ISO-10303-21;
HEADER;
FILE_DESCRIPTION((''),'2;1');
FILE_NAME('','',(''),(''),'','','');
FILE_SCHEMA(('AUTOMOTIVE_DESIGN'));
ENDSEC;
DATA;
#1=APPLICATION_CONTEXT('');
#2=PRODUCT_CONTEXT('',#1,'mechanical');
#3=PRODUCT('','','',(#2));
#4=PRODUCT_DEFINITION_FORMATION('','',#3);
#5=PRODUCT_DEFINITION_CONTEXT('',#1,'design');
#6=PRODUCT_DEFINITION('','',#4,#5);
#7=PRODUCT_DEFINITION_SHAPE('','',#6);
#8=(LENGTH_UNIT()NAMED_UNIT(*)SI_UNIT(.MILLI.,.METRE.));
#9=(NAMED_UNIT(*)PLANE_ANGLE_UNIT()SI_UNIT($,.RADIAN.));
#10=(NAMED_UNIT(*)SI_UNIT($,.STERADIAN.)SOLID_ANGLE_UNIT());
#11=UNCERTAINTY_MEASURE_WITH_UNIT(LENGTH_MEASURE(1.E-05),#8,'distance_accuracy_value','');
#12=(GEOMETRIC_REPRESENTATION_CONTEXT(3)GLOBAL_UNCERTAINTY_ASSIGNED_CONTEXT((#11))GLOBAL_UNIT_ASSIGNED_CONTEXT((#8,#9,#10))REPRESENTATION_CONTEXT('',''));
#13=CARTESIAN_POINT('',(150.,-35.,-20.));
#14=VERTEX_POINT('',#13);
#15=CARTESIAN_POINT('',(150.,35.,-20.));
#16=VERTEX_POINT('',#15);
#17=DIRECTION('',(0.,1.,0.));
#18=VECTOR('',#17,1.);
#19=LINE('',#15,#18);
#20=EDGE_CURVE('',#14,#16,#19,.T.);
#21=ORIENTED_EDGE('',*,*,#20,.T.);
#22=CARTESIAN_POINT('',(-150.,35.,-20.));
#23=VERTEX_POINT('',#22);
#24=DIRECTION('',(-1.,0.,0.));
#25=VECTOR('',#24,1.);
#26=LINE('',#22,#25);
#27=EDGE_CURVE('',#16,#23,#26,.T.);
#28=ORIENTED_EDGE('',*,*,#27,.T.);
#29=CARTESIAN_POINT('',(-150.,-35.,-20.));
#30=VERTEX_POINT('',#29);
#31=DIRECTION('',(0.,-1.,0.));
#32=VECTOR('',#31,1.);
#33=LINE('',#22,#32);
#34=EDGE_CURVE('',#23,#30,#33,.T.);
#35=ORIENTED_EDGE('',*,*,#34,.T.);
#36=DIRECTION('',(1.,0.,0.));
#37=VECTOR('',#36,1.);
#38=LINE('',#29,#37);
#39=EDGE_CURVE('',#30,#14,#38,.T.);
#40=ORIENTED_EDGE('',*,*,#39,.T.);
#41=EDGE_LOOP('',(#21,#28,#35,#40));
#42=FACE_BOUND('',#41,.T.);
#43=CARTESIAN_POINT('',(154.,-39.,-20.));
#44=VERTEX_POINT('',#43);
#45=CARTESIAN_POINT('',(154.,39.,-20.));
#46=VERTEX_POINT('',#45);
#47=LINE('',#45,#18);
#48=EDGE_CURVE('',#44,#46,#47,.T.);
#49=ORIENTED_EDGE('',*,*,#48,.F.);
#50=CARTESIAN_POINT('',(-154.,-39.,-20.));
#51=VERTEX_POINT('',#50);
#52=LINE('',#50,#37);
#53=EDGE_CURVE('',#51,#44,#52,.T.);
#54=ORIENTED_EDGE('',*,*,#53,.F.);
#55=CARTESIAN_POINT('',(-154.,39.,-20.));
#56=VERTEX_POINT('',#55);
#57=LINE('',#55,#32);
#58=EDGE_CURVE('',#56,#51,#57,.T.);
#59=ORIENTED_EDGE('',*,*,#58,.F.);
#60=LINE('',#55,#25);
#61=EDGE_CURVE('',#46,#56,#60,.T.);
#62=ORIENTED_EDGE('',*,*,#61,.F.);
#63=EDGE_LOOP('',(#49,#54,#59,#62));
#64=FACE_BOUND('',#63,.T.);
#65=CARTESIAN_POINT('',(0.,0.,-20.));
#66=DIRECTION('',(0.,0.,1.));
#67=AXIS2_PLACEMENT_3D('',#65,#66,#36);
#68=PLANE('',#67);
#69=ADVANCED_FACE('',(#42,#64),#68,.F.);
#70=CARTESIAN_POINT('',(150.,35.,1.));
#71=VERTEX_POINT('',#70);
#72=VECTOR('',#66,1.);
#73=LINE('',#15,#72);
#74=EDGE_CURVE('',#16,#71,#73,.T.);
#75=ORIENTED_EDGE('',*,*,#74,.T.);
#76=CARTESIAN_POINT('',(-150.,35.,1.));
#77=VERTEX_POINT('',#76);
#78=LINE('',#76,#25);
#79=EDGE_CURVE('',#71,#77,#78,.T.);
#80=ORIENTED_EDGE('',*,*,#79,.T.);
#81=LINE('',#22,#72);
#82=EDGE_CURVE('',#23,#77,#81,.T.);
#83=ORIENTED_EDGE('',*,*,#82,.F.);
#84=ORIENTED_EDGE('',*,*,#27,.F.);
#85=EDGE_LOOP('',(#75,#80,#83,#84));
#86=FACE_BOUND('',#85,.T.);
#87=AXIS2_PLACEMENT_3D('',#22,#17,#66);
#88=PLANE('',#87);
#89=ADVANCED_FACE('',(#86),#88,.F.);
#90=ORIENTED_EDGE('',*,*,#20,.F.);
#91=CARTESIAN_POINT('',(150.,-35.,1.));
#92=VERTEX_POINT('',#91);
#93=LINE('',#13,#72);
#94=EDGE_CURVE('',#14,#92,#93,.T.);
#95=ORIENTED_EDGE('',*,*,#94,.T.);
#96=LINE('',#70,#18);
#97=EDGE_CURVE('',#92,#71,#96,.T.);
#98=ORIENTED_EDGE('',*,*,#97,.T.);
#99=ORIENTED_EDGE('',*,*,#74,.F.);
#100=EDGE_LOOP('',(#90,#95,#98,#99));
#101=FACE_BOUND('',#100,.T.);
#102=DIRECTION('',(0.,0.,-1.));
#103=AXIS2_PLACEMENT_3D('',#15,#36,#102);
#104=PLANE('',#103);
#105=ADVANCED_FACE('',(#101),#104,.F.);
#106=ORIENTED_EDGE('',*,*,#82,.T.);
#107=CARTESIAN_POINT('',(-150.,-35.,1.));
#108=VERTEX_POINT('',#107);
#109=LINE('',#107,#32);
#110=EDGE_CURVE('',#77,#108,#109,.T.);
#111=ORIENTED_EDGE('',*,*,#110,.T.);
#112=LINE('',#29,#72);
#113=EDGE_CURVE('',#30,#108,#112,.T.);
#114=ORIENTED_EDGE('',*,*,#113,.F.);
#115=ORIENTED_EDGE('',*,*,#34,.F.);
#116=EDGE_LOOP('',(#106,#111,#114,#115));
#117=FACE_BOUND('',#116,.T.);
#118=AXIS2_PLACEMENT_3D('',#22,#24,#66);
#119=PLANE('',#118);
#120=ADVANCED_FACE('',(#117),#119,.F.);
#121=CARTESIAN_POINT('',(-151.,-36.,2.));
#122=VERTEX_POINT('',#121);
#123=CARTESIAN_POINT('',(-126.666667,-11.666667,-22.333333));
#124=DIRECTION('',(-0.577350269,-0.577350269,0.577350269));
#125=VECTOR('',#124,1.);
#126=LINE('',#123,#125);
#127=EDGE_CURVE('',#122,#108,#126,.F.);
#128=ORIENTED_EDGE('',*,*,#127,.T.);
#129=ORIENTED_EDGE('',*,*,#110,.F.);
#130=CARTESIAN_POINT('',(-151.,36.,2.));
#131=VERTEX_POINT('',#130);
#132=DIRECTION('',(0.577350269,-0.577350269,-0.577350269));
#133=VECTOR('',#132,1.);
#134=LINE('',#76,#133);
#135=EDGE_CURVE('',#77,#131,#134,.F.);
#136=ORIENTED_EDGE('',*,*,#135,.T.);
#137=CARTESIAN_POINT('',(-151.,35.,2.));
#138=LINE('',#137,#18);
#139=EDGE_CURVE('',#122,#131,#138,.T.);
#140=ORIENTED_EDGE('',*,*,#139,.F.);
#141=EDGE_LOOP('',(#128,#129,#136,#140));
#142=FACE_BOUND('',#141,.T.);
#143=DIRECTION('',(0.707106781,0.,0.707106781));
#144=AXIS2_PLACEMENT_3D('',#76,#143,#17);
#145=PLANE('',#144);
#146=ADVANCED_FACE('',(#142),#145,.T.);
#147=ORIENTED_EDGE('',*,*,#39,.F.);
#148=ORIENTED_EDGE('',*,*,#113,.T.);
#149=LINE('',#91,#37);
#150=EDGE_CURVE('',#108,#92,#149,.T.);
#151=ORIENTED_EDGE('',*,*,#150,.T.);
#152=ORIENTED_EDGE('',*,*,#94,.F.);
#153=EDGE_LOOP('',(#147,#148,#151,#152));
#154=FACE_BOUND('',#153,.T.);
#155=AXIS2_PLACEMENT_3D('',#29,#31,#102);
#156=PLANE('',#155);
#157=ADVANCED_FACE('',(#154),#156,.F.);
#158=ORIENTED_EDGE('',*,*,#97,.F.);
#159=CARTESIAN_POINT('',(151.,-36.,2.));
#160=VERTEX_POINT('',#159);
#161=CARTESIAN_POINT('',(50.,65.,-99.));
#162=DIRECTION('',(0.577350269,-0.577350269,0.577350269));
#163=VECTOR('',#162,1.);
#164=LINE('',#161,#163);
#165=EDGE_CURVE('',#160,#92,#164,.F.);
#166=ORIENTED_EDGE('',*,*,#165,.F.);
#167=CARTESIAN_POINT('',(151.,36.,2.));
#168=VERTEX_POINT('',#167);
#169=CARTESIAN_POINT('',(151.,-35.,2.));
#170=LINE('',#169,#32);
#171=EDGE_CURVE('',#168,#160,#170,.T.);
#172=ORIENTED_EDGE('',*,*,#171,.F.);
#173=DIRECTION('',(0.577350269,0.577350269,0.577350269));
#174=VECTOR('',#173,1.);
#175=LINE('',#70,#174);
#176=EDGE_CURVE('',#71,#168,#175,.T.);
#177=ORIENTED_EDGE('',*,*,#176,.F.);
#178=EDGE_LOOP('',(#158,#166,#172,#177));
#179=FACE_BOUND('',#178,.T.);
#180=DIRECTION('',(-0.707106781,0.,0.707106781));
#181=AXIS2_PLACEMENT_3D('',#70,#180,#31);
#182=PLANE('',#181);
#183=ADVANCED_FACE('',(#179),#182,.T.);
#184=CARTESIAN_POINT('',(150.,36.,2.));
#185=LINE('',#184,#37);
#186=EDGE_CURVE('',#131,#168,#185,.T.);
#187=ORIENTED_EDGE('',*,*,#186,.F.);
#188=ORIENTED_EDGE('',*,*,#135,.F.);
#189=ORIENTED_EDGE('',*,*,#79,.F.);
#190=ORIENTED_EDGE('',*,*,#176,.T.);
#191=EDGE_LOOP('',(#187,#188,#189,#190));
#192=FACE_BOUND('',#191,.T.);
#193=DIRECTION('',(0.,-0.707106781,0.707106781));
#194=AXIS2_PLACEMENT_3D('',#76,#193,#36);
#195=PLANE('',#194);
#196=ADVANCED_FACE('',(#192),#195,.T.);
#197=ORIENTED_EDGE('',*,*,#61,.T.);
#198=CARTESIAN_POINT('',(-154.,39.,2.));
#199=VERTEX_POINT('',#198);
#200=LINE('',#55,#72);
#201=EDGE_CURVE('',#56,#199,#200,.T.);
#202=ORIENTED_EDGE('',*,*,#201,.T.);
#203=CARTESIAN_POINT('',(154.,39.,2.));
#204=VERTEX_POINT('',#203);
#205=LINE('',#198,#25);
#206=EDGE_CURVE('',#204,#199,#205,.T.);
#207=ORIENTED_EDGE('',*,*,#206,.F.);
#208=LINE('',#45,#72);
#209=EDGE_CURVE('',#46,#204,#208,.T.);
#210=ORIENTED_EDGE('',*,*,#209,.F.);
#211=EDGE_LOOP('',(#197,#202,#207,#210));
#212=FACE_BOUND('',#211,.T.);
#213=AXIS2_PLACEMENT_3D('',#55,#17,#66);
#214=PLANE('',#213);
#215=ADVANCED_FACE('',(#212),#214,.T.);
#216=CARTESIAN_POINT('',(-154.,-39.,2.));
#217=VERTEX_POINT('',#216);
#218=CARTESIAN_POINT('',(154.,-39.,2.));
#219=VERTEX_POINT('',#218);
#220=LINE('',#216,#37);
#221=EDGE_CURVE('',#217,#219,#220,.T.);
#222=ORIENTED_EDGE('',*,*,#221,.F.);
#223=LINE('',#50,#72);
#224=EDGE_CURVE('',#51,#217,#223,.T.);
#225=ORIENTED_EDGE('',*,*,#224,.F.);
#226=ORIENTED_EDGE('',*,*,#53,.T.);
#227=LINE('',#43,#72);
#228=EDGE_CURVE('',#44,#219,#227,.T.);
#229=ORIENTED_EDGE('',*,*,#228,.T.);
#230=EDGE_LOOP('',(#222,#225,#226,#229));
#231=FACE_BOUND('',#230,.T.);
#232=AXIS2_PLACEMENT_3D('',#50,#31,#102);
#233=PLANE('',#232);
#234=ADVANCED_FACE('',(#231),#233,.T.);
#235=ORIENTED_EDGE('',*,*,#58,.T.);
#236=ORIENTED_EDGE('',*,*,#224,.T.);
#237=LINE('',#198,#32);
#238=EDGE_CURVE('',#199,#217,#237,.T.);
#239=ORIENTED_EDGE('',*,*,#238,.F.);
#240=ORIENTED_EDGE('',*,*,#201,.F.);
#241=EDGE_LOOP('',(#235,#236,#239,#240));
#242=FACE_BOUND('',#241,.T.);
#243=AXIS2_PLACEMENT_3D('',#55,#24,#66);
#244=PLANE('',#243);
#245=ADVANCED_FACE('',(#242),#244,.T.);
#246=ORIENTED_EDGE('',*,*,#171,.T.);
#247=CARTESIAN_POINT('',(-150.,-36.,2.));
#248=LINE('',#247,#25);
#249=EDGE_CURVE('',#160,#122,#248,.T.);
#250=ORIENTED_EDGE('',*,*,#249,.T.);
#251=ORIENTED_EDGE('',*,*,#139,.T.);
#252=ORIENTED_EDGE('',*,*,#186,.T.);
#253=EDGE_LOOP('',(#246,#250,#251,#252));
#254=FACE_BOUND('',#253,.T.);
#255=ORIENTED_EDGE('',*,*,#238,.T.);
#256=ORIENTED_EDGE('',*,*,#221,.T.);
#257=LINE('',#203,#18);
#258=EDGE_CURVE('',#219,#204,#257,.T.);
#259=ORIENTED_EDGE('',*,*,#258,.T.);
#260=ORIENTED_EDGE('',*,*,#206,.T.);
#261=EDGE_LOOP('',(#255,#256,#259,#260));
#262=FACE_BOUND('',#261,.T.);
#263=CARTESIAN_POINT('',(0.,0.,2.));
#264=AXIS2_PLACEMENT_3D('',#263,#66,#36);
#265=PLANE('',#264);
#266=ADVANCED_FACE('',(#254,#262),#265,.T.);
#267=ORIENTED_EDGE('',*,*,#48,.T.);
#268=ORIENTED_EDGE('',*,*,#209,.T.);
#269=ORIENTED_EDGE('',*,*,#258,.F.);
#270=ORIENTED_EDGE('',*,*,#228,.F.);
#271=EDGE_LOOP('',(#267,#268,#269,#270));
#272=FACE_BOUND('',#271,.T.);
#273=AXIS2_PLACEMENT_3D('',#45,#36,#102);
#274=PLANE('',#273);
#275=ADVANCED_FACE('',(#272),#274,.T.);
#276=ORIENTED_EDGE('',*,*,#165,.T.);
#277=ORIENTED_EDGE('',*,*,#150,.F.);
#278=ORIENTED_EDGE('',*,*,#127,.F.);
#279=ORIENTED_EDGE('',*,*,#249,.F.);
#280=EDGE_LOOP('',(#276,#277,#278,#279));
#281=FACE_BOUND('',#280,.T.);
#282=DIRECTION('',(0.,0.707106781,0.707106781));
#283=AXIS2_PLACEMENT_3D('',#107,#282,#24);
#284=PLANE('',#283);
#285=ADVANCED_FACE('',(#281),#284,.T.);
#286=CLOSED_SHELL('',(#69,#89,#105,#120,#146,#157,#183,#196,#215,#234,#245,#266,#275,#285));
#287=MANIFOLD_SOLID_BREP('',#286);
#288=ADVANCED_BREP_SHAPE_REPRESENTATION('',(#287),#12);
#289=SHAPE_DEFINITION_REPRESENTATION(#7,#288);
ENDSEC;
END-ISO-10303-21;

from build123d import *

# Parameters (mm, degrees)
EXTRUDE_1_DEPTH      = 2
EXTRUDE_1_DEPTH_BACK = 20
SKETCH_1_W           = 308
SKETCH_1_H           = 78
SKETCH_1_W_2         = 300
SKETCH_1_H_2         = 70
CHAMFER_1_SIZE       = 1


with BuildPart() as part:
    # Эскиз1 → Бобышка-Вытянуть1 (new, two sides: drawn at the far end of the back side and taken through both)
    with BuildSketch(Plane.XY.offset(-EXTRUDE_1_DEPTH_BACK)):
        Rectangle(SKETCH_1_W, SKETCH_1_H)
        Rectangle(SKETCH_1_W_2, SKETCH_1_H_2, mode=Mode.SUBTRACT)
    extrude(amount=EXTRUDE_1_DEPTH + EXTRUDE_1_DEPTH_BACK)

    # Фаска1
    chamfer_1_edges = [part.edges().sort_by_distance(p)[0] for p in [
        (-150, 0, 2),
        (0, -35, 2),
        (150, 0, 2),
        (0, 35, 2),
    ]]
    chamfer(chamfer_1_edges, length=CHAMFER_1_SIZE)


solid = part.part
